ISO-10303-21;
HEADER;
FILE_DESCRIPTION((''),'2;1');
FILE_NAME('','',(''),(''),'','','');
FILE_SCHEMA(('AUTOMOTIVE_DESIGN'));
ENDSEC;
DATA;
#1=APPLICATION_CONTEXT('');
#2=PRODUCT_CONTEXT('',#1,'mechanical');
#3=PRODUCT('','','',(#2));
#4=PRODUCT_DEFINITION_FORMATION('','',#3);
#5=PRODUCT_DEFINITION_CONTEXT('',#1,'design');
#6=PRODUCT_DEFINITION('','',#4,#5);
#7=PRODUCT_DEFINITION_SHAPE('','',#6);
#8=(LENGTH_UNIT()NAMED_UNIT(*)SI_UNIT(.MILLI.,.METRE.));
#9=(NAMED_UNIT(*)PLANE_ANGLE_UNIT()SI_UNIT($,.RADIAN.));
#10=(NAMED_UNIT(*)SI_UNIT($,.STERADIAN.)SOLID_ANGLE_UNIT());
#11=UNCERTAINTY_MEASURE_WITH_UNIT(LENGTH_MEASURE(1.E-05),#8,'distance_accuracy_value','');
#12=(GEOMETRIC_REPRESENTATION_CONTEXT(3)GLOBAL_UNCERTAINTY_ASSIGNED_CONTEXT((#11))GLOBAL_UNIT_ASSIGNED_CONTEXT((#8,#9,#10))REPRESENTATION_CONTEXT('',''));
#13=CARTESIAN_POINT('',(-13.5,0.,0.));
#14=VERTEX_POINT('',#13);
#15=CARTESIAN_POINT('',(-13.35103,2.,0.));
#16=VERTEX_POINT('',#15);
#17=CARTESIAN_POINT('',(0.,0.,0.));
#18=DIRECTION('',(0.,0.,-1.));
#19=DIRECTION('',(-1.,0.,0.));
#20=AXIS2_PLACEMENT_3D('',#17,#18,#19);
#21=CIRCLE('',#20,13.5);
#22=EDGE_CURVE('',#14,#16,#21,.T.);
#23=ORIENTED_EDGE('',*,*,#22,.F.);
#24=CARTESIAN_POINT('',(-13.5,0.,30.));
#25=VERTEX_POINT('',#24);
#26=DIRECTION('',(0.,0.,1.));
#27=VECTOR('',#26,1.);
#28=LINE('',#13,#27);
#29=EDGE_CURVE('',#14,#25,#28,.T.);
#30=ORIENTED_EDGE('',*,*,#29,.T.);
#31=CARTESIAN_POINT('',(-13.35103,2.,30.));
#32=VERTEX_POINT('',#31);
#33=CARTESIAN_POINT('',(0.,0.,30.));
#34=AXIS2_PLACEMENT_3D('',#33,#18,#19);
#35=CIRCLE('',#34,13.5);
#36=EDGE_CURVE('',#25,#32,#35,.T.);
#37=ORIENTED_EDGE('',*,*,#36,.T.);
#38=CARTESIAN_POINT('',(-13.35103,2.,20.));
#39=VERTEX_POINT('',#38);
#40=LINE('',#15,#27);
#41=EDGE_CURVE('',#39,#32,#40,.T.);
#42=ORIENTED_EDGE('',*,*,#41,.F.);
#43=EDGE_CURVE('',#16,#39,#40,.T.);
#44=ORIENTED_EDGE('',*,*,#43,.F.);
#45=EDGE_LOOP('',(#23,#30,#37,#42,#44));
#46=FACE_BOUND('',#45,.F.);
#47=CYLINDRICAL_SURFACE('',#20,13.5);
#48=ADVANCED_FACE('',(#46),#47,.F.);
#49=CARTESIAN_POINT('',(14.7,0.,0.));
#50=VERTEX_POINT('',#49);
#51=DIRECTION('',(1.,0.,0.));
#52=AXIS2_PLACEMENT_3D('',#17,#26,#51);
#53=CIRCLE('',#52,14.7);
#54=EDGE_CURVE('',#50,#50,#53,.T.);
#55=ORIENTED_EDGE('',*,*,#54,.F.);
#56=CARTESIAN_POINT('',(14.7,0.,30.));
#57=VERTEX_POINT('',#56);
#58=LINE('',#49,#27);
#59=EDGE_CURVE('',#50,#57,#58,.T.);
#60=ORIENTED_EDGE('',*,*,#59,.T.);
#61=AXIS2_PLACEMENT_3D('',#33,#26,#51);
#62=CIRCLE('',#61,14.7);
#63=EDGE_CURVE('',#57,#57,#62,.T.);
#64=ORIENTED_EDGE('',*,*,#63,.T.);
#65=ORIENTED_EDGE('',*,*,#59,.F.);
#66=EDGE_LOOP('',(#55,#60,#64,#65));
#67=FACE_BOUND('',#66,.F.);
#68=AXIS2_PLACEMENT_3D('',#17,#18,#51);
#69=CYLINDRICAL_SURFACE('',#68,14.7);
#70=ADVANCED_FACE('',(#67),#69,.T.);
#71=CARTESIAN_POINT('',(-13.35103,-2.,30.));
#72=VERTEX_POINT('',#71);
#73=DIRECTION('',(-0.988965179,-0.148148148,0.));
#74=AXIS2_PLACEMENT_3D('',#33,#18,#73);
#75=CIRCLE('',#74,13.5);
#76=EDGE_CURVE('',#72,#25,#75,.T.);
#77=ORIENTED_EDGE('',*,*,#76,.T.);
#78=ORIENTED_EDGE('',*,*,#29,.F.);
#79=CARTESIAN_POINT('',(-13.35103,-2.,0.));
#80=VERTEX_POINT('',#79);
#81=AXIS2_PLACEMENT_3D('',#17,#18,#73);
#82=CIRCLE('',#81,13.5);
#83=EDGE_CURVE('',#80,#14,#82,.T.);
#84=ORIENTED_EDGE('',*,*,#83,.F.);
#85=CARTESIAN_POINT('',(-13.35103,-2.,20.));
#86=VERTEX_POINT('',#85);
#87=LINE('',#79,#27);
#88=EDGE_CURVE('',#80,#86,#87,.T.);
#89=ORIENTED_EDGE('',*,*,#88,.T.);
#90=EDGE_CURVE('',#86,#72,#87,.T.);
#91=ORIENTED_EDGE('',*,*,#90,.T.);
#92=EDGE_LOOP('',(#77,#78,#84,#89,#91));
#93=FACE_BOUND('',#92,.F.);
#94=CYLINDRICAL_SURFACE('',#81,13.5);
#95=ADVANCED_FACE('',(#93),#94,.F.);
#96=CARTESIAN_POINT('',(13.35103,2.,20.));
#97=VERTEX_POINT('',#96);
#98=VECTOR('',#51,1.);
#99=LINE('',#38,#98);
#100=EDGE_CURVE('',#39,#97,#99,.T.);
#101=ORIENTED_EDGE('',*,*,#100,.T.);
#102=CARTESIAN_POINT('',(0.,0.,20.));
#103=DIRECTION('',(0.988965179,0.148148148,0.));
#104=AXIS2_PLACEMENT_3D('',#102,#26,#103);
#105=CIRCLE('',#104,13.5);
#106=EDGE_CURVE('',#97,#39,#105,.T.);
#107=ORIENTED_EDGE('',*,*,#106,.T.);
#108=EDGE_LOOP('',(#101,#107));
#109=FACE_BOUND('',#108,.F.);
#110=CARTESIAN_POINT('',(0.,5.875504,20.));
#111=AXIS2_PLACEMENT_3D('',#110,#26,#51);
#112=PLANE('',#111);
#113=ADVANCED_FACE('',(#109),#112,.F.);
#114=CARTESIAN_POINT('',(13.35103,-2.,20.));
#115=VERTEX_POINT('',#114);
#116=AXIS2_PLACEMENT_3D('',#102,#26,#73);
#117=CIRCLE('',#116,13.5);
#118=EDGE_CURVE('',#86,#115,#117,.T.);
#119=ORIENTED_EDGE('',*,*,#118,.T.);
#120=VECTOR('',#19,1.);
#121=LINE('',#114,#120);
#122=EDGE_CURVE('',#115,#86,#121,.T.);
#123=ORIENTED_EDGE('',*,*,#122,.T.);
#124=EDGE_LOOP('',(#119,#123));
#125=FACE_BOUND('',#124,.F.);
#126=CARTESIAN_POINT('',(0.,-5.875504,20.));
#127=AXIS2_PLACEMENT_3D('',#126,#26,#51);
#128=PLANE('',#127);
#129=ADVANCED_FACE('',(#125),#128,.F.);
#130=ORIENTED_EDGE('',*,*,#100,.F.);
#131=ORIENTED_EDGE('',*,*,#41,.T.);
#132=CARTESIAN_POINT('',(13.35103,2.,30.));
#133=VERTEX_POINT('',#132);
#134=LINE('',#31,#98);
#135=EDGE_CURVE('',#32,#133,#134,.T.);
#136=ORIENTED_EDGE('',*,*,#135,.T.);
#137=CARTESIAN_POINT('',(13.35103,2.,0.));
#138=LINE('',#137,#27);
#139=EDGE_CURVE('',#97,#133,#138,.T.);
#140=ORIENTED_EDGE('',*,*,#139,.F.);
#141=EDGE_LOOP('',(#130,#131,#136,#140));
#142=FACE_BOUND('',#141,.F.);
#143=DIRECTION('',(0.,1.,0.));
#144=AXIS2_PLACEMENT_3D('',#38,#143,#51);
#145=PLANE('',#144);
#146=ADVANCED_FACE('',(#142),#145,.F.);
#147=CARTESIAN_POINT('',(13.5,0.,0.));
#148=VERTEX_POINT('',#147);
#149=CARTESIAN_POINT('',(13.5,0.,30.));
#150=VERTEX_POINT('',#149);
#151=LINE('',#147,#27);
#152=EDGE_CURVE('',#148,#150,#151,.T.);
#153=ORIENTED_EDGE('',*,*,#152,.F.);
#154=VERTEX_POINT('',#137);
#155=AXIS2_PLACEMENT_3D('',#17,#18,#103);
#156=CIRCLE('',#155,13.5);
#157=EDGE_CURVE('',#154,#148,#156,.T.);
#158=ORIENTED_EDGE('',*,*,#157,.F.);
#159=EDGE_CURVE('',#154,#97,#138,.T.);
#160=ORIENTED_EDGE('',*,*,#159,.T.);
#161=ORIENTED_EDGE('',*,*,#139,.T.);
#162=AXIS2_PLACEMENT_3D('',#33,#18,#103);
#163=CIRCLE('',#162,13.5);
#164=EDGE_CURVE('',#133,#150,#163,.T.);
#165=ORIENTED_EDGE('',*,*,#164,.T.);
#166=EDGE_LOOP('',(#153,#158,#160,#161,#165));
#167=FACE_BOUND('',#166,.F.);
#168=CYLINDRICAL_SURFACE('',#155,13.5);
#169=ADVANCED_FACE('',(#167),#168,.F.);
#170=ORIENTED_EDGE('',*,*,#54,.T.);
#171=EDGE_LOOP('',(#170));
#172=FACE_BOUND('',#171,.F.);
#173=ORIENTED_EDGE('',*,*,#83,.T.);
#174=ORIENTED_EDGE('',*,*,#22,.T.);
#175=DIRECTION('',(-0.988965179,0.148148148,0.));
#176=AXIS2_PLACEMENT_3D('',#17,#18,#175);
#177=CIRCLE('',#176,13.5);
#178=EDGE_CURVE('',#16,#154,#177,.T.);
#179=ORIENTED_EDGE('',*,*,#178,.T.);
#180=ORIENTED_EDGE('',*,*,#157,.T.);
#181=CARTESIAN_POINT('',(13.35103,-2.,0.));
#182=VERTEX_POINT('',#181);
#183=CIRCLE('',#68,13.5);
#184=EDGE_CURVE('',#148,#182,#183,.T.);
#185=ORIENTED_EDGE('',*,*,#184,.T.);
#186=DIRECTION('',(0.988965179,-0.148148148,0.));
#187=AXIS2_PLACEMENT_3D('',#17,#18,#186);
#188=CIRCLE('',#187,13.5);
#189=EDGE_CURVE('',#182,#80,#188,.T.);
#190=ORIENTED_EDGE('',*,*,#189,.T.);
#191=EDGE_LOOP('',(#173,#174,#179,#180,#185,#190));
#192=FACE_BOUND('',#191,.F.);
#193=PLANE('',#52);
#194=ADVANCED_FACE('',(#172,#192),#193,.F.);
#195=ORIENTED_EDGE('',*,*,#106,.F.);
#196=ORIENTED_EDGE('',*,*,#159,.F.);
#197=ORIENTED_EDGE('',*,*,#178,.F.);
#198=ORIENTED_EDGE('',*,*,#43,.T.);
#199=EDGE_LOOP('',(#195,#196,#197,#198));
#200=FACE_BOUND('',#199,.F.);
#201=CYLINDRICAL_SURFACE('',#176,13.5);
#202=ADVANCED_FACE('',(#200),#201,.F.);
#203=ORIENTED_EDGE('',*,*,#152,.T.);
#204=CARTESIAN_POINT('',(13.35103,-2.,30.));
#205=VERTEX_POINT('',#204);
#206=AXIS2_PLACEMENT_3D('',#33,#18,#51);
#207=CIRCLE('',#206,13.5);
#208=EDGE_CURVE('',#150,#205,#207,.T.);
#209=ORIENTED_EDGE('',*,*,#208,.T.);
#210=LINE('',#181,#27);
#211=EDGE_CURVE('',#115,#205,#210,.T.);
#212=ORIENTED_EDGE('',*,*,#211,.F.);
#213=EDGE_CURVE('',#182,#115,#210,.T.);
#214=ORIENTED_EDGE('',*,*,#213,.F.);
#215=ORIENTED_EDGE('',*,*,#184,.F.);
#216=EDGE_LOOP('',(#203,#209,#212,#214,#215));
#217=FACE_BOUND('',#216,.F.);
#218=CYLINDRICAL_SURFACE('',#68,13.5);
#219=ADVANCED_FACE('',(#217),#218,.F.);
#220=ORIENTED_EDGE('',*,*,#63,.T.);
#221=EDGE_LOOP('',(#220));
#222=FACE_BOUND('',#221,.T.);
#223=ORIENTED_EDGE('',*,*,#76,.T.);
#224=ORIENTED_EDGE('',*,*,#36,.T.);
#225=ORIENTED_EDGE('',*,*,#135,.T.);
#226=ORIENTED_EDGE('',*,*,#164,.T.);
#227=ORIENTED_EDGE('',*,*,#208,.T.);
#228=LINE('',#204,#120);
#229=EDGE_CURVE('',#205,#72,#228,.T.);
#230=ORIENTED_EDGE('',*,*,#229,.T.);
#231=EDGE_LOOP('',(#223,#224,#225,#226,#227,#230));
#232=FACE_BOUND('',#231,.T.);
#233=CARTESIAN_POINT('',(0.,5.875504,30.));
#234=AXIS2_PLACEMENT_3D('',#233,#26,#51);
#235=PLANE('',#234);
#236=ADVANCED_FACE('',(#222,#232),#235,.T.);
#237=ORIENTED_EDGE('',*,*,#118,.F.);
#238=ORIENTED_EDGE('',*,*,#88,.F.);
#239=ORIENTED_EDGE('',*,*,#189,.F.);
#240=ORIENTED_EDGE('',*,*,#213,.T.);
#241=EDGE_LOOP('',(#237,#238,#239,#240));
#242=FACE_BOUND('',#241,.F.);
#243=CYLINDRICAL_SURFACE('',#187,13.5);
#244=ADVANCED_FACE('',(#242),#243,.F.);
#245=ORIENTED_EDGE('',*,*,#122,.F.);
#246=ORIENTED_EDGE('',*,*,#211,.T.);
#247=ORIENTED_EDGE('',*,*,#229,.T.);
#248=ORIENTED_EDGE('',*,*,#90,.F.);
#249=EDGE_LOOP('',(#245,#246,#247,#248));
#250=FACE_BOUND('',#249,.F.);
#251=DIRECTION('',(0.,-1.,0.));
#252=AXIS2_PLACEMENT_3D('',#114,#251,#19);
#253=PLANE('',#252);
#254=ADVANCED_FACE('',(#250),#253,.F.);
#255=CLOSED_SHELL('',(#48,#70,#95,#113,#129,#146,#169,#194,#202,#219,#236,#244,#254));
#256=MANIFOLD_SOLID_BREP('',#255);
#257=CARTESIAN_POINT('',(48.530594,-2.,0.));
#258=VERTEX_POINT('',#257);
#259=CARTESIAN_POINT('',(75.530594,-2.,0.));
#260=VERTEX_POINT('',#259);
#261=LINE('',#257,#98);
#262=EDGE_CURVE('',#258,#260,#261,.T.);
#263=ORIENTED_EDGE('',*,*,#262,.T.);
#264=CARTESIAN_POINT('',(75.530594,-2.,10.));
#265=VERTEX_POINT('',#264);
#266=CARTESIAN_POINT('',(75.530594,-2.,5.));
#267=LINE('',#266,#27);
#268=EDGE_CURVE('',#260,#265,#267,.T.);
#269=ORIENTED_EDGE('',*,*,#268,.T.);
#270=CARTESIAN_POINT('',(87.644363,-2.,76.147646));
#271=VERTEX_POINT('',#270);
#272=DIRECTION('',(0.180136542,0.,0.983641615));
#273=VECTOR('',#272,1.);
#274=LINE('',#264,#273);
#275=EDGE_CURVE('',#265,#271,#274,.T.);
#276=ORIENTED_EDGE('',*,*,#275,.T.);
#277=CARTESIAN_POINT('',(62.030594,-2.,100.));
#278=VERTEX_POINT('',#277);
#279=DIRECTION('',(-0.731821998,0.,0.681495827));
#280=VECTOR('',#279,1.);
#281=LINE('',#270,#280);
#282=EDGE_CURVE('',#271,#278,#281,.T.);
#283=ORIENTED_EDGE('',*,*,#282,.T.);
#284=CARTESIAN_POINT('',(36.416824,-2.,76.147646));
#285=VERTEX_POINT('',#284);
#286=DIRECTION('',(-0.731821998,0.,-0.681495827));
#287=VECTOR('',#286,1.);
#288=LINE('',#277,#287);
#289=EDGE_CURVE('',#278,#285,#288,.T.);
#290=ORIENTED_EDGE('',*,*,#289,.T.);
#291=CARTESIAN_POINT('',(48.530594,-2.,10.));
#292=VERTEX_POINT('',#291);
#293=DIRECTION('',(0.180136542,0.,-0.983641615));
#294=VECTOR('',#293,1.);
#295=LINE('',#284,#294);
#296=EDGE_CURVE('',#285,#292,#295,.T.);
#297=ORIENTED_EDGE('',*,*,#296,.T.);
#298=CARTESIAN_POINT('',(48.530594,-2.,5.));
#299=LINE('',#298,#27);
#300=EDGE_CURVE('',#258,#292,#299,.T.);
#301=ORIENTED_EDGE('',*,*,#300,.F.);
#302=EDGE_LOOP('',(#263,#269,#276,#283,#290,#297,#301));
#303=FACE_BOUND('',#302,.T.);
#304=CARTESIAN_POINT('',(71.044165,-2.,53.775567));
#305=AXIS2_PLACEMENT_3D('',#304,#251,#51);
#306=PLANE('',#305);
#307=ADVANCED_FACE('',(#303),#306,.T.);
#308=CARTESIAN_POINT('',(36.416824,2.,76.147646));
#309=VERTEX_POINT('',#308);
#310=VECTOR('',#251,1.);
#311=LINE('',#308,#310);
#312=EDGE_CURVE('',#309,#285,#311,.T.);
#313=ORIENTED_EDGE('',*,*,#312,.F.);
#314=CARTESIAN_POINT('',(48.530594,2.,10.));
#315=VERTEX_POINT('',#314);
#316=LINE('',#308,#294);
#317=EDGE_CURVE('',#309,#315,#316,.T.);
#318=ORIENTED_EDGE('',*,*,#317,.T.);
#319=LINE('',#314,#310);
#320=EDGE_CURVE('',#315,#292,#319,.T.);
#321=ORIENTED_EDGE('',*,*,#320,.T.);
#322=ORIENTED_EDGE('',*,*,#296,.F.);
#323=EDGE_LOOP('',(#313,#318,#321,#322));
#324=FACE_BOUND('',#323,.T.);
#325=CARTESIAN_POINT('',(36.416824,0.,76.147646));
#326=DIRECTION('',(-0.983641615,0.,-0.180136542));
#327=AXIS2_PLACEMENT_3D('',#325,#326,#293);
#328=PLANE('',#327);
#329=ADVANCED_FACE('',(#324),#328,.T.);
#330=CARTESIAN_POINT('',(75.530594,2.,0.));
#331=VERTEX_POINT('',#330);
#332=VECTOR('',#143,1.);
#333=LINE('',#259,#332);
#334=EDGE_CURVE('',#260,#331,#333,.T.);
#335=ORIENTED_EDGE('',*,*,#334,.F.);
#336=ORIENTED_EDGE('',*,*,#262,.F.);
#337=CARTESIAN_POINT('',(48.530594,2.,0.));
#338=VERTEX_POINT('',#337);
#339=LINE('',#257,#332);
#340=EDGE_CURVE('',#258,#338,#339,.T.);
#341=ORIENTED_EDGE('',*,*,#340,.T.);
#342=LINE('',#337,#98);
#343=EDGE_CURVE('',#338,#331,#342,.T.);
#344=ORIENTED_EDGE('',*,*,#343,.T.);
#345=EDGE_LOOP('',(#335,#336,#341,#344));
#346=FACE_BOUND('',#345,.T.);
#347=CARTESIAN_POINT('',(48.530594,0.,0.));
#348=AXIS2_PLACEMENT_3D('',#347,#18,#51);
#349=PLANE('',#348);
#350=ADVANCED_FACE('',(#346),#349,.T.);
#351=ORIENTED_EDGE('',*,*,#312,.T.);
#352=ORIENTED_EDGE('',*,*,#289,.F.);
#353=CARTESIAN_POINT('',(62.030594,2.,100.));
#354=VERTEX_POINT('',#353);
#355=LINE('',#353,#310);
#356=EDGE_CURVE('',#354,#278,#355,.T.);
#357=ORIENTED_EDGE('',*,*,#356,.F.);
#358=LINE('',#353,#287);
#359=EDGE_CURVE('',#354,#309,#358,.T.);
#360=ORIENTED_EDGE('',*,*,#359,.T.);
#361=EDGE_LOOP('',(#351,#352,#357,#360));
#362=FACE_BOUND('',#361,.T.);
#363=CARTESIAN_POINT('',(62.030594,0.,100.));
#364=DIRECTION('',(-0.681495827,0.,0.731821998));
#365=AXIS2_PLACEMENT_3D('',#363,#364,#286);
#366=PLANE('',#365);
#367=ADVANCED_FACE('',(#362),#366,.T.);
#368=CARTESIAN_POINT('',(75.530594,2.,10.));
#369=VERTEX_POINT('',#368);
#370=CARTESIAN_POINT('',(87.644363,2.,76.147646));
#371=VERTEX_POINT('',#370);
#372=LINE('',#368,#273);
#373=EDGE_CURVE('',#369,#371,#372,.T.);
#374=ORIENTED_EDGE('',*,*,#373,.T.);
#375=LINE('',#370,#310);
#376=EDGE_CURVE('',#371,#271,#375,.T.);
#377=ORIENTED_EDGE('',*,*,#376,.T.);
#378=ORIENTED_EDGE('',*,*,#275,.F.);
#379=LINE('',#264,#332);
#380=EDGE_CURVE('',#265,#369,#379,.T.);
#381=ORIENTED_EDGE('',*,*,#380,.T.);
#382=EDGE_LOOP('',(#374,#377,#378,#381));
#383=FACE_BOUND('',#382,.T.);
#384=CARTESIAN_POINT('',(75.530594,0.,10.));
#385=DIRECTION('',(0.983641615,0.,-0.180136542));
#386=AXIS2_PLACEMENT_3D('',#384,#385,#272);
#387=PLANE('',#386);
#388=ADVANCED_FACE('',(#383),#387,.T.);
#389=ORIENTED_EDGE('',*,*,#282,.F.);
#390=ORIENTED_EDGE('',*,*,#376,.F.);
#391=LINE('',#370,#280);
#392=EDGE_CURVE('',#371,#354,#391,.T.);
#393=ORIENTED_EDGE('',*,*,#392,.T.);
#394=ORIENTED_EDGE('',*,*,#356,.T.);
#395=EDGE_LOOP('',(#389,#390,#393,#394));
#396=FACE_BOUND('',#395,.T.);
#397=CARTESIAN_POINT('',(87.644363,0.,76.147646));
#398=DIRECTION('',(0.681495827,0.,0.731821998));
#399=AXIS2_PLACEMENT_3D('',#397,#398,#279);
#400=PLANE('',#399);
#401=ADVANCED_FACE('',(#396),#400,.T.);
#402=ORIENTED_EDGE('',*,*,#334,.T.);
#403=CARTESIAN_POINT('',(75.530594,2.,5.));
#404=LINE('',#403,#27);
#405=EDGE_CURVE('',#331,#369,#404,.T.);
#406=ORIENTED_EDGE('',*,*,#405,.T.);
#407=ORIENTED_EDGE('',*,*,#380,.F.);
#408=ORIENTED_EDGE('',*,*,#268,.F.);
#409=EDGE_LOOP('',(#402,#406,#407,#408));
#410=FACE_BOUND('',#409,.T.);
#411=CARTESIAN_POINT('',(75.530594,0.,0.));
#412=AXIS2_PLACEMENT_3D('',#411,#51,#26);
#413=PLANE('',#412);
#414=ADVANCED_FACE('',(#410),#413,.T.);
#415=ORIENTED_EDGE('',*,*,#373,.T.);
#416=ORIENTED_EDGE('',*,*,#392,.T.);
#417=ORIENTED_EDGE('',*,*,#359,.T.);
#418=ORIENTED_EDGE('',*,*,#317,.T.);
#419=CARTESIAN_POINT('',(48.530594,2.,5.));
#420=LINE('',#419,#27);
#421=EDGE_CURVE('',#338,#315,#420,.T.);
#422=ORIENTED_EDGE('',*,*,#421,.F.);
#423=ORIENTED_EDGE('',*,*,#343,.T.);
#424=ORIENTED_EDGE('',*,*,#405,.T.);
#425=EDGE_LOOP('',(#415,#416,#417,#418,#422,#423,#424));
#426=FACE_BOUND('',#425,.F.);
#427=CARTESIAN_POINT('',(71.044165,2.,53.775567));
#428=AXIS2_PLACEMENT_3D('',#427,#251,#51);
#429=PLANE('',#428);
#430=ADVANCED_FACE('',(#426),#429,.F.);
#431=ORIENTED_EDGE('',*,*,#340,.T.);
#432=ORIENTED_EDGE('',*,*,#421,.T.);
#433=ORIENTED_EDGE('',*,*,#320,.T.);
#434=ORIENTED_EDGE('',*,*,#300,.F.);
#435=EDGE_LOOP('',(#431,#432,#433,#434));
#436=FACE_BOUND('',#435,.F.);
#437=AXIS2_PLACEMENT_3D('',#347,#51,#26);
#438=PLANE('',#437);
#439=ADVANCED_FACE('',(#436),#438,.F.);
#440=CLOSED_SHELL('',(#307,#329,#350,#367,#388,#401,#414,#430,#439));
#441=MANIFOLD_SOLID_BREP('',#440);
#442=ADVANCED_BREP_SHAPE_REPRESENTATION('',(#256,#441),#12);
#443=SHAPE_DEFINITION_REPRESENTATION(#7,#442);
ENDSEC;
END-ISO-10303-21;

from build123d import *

# Parameters (mm, degrees)
F0_R          = 14.7
F1_DEPTH      = 30
F2_START      = 20
F2_DEPTH      = 10
F3_W          = 13.5
F3_H          = 10
F4_DEPTH      = 2
F4_DEPTH_BACK = 2


with BuildPart() as f1:
    # F0 (on Top) → F1 (new body)
    with BuildSketch(Plane.XY):
        Circle(F0_R)
        with BuildLine():
            ThreePointArc((13.3510299228, 2), (13.4627059679, 1.0027701736), (13.5, 0))
            ThreePointArc((13.5, 0), (13.4627059679, -1.0027701736), (13.3510299228, -2))
            ThreePointArc((13.3510299228, -2), (0, -13.5), (-13.3510299228, -2))
            ThreePointArc((-13.3510299228, -2), (-13.4627059679, -1.0027701736), (-13.5, 0))
            ThreePointArc((-13.5, 0), (-13.4627059679, 1.0027701736), (-13.3510299228, 2))
            ThreePointArc((-13.3510299228, 2), (0, 13.5), (13.3510299228, 2))
        make_face(mode=Mode.SUBTRACT)
    extrude(amount=F1_DEPTH)

    # F0 (on Top) → F2 (join)
    with BuildSketch(Plane.XY.offset(F2_START)):
        with BuildLine():
            Line((-13.3510299228, 2), (13.3510299228, 2))
            ThreePointArc((13.3510299228, 2), (0, 13.5), (-13.3510299228, 2))
        make_face()
        with BuildLine():
            ThreePointArc((-13.3510299228, -2), (0, -13.5), (13.3510299228, -2))
            Line((13.3510299228, -2), (-13.3510299228, -2))
        make_face()
    extrude(amount=F2_DEPTH)


with BuildPart() as f4:
    # F3 (on Front) → F4 (new body, two sides)
    with BuildSketch(Plane.XZ) as f4_sk:
        Polygon((62.0305935144, 10), (75.5305935144, 10), (87.6443634541, 76.1476460391), (62.0305935144, 100), align=None)
        Polygon((48.5305935144, 10), (62.0305935144, 10), (62.0305935144, 100), (36.4168235748, 76.1476460391), align=None)
        with Locations((55.2805935144, 5)):
            Rectangle(F3_W, F3_H)
        with Locations((68.7805935144, 5)):
            Rectangle(F3_W, F3_H)
    extrude(amount=F4_DEPTH)
    extrude(f4_sk.sketch, amount=-F4_DEPTH_BACK)


solid = Compound([f1.part, f4.part])
